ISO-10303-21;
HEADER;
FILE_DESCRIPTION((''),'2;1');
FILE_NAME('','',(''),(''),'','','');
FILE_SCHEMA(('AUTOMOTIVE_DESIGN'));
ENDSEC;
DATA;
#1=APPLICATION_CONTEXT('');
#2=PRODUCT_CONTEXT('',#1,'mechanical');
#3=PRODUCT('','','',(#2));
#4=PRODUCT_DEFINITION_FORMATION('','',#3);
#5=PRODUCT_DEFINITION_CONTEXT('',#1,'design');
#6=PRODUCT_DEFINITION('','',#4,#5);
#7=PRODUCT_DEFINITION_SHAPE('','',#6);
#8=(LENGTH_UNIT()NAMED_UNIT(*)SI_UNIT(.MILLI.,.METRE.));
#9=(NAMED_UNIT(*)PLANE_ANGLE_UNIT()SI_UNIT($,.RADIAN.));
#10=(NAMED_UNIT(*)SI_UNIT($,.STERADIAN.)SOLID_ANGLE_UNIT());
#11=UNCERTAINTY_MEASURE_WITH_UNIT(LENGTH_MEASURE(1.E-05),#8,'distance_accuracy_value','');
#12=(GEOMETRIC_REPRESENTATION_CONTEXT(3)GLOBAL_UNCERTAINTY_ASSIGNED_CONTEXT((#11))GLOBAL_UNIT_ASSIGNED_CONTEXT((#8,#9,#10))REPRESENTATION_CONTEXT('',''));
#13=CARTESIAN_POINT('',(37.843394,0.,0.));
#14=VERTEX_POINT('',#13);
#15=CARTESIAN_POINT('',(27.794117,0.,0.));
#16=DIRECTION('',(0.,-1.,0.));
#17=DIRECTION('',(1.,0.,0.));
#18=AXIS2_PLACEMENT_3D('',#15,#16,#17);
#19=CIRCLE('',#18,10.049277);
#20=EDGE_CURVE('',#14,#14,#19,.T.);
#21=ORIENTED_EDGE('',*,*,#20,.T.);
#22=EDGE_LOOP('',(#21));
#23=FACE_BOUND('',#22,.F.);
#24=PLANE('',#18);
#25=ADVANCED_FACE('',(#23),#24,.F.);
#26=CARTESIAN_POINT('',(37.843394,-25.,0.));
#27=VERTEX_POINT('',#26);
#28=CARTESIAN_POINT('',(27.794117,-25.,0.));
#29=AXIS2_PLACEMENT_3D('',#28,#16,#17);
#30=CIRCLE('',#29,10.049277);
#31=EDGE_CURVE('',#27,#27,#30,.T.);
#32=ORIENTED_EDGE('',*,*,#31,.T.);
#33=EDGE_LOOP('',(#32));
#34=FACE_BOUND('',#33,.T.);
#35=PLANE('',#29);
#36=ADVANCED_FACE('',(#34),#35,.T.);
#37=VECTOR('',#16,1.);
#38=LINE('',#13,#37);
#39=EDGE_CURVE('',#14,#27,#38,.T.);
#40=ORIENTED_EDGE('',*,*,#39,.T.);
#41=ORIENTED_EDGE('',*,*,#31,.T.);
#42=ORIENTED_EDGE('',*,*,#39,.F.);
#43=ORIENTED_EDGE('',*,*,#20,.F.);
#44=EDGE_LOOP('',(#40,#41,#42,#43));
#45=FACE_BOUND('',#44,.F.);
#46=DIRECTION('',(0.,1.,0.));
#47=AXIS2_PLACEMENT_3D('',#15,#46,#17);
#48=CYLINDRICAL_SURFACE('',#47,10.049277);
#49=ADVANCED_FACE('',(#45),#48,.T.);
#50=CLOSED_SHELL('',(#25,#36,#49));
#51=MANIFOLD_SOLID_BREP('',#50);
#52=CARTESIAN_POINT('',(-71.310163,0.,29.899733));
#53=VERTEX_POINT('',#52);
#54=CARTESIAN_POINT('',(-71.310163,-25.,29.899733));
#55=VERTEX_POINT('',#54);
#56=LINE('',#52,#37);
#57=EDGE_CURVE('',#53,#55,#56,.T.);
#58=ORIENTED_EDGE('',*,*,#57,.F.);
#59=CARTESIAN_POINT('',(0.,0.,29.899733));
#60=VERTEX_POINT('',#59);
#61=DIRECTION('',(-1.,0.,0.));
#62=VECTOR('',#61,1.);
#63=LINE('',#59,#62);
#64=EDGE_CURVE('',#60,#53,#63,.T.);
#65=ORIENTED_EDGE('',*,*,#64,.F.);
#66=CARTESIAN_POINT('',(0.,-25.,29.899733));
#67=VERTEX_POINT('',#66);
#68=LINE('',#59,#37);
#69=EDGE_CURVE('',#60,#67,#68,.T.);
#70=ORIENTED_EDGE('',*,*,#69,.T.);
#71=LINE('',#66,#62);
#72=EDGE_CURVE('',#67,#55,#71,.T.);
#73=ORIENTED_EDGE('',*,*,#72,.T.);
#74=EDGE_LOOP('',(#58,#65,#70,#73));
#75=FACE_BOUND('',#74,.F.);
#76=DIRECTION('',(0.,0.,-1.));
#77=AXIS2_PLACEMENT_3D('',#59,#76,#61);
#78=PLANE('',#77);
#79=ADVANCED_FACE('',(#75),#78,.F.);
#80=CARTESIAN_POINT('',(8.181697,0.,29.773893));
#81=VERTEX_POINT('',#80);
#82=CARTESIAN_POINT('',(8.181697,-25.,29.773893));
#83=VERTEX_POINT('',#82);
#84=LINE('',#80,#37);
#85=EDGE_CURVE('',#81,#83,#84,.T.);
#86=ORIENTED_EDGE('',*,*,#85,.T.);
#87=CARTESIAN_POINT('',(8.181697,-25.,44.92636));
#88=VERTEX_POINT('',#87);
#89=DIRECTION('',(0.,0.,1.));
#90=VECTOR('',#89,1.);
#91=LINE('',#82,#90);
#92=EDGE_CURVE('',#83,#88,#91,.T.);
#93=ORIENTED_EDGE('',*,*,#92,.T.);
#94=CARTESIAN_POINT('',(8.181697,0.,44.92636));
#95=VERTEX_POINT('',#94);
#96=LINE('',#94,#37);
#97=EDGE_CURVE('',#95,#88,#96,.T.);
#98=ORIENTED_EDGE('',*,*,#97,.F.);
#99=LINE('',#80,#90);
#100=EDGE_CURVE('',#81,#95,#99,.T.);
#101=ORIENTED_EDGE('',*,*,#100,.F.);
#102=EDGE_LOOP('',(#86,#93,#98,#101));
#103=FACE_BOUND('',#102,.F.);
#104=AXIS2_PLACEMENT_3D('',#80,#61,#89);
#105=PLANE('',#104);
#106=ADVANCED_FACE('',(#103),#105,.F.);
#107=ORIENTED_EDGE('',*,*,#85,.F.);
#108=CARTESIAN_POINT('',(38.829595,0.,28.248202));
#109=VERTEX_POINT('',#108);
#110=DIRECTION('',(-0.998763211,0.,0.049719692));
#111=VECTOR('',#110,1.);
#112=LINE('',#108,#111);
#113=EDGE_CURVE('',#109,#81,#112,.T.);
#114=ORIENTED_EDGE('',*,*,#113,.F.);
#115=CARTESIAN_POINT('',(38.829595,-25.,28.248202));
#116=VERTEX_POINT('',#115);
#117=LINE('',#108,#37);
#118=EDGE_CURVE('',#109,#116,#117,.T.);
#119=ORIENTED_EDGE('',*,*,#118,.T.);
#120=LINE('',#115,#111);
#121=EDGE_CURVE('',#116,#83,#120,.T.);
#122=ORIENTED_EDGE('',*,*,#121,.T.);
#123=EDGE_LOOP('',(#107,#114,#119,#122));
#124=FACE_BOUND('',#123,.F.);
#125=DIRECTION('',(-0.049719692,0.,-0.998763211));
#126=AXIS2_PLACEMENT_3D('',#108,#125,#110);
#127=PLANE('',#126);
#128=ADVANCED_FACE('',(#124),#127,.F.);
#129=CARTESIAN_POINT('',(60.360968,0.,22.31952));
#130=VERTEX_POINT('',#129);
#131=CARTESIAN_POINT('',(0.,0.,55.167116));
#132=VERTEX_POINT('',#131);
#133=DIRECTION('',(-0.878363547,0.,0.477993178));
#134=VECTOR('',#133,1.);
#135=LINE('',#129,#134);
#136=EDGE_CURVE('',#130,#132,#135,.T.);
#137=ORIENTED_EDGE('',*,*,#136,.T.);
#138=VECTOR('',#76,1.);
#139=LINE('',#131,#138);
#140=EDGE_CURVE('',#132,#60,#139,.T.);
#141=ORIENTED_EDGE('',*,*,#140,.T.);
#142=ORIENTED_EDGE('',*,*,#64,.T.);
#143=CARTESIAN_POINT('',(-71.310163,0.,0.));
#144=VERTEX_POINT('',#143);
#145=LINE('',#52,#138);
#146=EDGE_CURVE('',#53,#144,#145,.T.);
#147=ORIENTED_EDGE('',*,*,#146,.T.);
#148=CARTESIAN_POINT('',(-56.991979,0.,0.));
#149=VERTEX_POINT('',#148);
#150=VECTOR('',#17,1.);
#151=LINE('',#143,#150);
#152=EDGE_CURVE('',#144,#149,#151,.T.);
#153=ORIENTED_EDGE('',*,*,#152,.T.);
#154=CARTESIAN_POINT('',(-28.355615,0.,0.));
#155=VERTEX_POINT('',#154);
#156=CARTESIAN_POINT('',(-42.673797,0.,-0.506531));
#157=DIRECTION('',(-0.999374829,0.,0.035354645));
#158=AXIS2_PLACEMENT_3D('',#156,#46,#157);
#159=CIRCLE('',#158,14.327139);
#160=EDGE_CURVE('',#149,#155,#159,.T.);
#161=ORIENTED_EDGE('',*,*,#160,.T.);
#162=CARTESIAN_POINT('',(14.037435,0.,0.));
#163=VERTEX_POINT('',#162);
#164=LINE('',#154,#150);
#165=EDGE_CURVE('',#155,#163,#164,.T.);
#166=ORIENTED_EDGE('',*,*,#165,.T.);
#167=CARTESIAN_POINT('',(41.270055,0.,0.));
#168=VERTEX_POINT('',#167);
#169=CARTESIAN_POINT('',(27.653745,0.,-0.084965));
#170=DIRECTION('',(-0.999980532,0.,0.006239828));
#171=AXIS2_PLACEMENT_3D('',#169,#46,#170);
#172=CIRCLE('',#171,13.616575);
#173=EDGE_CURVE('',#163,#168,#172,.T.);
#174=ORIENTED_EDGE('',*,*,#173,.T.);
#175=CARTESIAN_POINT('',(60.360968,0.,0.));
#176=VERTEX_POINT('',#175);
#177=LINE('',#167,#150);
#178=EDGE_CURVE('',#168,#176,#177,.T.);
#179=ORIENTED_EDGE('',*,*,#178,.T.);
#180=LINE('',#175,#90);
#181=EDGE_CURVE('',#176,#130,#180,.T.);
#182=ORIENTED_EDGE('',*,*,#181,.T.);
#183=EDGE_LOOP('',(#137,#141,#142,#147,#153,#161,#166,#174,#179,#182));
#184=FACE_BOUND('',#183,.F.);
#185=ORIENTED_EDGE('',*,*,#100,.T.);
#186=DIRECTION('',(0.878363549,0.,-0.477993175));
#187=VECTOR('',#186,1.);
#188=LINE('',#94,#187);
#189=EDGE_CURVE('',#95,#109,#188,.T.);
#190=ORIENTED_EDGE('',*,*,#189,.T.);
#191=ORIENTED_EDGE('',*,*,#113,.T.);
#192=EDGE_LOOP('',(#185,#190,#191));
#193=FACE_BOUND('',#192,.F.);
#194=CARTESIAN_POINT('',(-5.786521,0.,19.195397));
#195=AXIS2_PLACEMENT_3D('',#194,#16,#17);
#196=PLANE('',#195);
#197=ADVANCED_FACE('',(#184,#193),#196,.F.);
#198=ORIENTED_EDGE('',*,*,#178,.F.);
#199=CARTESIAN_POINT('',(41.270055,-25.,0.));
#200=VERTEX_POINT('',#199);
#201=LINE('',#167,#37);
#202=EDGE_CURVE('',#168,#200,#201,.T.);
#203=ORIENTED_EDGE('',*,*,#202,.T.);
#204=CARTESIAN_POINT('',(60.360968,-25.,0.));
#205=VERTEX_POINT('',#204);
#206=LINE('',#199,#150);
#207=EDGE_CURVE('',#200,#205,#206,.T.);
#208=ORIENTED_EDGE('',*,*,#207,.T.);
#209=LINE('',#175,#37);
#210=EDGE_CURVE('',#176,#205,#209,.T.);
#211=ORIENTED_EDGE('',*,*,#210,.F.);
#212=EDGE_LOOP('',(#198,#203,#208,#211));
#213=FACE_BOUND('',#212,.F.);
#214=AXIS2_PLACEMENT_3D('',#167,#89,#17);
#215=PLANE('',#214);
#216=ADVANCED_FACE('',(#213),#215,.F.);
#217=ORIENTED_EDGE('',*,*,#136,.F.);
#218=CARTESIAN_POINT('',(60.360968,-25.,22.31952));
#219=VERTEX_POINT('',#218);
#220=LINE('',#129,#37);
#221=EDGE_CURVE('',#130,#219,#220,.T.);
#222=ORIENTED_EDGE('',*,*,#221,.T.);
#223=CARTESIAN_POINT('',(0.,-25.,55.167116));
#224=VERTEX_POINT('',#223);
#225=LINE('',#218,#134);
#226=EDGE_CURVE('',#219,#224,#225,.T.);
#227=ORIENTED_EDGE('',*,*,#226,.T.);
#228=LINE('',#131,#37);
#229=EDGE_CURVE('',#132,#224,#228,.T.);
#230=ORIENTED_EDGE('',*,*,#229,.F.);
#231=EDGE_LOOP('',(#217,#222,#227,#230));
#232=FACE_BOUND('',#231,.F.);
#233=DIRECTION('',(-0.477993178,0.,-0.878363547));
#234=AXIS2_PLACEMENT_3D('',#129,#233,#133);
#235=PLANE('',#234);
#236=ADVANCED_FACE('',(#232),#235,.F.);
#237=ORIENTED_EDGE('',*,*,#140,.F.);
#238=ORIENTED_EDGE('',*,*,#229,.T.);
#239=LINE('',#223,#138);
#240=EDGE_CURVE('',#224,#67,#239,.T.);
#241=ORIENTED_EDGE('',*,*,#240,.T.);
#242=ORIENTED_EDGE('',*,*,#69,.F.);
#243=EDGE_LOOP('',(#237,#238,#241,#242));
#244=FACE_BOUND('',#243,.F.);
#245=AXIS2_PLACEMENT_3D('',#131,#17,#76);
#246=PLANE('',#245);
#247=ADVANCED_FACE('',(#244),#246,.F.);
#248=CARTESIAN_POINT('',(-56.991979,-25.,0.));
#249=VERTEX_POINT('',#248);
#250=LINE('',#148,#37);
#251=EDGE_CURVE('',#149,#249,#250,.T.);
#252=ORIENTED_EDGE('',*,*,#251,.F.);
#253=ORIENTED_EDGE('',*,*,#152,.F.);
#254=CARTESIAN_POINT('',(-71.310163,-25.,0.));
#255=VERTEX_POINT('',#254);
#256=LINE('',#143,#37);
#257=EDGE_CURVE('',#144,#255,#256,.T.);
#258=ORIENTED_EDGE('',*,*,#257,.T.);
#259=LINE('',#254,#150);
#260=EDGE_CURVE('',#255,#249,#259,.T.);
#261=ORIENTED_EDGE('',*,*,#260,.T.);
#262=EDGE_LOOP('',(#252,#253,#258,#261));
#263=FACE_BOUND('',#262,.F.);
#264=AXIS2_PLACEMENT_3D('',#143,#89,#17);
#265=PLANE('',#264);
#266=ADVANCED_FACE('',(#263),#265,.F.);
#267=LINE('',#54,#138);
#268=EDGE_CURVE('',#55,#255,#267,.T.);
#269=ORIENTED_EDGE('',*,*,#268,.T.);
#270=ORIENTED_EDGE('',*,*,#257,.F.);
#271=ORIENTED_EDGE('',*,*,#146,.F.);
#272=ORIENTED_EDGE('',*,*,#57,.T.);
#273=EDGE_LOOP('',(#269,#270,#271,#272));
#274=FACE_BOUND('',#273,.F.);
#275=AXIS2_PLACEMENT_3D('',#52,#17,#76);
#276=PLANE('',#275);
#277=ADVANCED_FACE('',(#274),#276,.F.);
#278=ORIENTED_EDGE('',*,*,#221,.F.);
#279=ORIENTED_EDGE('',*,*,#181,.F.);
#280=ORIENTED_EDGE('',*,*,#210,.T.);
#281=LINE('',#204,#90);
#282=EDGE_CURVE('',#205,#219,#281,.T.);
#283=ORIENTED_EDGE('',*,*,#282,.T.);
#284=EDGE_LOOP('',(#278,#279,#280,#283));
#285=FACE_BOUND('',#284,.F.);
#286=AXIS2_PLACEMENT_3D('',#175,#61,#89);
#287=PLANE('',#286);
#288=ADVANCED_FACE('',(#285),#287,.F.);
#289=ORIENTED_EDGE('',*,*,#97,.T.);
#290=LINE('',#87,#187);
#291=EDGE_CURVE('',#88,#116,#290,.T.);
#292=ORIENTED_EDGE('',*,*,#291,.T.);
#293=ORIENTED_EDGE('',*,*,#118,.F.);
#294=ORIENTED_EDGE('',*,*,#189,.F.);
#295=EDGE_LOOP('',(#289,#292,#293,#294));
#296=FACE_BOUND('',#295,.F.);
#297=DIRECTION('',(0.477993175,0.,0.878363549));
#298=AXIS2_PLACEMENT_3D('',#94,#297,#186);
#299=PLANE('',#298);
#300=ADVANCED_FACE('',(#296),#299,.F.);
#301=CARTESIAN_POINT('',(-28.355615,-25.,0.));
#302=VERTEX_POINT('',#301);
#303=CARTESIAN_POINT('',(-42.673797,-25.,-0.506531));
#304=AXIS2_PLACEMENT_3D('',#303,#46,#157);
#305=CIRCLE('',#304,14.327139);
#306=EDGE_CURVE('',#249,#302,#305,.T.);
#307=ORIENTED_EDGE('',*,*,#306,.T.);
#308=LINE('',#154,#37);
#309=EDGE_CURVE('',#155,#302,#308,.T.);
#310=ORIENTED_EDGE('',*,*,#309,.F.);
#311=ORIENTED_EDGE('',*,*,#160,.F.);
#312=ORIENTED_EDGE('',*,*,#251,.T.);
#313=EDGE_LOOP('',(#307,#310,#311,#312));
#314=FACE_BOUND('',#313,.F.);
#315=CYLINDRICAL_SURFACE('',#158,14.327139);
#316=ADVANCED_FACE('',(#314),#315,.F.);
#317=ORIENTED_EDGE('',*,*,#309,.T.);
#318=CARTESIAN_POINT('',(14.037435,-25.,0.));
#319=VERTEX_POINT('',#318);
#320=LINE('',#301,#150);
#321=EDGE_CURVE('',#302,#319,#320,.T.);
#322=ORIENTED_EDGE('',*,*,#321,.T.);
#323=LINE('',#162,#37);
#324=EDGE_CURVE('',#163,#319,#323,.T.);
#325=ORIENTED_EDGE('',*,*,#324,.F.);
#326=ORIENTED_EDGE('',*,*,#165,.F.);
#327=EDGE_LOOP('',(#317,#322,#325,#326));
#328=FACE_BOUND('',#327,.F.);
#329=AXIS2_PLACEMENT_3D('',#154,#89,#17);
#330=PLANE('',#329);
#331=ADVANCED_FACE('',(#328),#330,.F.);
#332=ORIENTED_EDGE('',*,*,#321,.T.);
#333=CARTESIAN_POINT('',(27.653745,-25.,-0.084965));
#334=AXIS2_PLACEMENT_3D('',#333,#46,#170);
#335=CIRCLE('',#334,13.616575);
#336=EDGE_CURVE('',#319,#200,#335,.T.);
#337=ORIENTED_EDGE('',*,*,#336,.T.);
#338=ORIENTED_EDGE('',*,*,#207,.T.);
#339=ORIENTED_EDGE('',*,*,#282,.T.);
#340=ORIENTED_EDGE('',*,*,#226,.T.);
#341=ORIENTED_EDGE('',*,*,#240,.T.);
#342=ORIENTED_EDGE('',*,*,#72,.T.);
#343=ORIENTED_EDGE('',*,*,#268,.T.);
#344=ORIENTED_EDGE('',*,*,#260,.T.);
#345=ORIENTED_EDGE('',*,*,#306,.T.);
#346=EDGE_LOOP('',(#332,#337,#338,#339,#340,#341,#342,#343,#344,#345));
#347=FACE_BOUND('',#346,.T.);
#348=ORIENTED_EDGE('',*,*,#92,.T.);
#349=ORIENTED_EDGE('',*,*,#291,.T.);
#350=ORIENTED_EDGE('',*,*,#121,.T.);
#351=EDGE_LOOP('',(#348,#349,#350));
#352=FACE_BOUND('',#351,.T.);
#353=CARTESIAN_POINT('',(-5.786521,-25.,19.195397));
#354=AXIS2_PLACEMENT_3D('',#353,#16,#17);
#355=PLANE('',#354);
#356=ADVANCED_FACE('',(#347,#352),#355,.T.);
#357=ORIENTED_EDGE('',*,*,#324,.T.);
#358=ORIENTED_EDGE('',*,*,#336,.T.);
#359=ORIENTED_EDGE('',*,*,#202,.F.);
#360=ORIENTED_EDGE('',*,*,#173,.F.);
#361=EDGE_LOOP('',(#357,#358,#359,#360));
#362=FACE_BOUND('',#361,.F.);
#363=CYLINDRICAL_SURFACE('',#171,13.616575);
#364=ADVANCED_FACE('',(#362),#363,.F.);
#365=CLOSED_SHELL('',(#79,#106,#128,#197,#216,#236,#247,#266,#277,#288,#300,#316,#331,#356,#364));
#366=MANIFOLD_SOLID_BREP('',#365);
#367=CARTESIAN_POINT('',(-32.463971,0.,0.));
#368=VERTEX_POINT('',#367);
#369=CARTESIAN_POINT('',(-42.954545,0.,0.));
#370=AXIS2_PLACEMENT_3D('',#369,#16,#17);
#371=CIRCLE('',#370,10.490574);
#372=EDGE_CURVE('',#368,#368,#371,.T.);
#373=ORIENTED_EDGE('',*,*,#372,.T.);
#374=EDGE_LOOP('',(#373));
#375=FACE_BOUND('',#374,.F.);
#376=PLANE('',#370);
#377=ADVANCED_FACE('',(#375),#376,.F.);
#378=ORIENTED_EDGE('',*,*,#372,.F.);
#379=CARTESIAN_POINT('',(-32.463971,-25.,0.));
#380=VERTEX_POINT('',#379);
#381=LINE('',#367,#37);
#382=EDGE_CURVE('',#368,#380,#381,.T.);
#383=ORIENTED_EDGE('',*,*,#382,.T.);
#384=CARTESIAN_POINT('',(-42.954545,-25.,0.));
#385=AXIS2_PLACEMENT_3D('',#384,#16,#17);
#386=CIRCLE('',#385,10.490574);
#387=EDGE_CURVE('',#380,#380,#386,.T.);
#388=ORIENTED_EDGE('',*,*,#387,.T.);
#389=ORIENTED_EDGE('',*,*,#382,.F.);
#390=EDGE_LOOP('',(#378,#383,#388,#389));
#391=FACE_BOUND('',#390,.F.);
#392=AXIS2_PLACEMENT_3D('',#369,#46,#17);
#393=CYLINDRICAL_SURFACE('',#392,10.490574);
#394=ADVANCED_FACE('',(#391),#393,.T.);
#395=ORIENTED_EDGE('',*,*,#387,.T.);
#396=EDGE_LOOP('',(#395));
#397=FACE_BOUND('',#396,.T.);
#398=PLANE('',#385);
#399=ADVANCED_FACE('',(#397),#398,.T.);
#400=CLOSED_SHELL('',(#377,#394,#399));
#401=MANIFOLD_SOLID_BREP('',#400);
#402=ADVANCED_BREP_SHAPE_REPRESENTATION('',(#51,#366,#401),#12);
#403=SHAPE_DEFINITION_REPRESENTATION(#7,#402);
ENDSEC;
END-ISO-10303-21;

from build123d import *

# Parameters (mm, degrees)
F0_R     = 10.490574
F0_R_2   = 10.049277
F1_DEPTH = 25


with BuildPart() as f1:
    # F0 (on Front) → F1 (new body)
    with BuildSketch(Plane.XZ):
        with Locations((-42.954545, 0)):
            Circle(F0_R)
        with Locations((27.794117, 0)):
            Circle(F0_R_2)
        with BuildLine():
            Line((-71.310163, 29.899733), (-71.310163, 0))
            Line((-71.310163, 0), (-56.991979, 0))
            ThreePointArc((-56.991979, 0), (-42.673797, 13.820608), (-28.355615, 0))
            Line((-28.355615, 0), (14.037435, 0))
            ThreePointArc((14.037435, 0), (27.653745, 13.53161), (41.270055, 0))
            Line((41.270055, 0), (60.360968, 0))
            Line((60.360968, 0), (60.360968, 22.31952))
            Line((60.360968, 22.31952), (0, 55.167116))
            Line((0, 55.167116), (0, 29.899733))
            Line((0, 29.899733), (-71.310163, 29.899733))
        make_face()
        Polygon((8.181697, 29.773893), (8.181697, 44.92636), (38.829595, 28.248202), align=None, mode=Mode.SUBTRACT)
    extrude(amount=F1_DEPTH)


solid = f1.part
